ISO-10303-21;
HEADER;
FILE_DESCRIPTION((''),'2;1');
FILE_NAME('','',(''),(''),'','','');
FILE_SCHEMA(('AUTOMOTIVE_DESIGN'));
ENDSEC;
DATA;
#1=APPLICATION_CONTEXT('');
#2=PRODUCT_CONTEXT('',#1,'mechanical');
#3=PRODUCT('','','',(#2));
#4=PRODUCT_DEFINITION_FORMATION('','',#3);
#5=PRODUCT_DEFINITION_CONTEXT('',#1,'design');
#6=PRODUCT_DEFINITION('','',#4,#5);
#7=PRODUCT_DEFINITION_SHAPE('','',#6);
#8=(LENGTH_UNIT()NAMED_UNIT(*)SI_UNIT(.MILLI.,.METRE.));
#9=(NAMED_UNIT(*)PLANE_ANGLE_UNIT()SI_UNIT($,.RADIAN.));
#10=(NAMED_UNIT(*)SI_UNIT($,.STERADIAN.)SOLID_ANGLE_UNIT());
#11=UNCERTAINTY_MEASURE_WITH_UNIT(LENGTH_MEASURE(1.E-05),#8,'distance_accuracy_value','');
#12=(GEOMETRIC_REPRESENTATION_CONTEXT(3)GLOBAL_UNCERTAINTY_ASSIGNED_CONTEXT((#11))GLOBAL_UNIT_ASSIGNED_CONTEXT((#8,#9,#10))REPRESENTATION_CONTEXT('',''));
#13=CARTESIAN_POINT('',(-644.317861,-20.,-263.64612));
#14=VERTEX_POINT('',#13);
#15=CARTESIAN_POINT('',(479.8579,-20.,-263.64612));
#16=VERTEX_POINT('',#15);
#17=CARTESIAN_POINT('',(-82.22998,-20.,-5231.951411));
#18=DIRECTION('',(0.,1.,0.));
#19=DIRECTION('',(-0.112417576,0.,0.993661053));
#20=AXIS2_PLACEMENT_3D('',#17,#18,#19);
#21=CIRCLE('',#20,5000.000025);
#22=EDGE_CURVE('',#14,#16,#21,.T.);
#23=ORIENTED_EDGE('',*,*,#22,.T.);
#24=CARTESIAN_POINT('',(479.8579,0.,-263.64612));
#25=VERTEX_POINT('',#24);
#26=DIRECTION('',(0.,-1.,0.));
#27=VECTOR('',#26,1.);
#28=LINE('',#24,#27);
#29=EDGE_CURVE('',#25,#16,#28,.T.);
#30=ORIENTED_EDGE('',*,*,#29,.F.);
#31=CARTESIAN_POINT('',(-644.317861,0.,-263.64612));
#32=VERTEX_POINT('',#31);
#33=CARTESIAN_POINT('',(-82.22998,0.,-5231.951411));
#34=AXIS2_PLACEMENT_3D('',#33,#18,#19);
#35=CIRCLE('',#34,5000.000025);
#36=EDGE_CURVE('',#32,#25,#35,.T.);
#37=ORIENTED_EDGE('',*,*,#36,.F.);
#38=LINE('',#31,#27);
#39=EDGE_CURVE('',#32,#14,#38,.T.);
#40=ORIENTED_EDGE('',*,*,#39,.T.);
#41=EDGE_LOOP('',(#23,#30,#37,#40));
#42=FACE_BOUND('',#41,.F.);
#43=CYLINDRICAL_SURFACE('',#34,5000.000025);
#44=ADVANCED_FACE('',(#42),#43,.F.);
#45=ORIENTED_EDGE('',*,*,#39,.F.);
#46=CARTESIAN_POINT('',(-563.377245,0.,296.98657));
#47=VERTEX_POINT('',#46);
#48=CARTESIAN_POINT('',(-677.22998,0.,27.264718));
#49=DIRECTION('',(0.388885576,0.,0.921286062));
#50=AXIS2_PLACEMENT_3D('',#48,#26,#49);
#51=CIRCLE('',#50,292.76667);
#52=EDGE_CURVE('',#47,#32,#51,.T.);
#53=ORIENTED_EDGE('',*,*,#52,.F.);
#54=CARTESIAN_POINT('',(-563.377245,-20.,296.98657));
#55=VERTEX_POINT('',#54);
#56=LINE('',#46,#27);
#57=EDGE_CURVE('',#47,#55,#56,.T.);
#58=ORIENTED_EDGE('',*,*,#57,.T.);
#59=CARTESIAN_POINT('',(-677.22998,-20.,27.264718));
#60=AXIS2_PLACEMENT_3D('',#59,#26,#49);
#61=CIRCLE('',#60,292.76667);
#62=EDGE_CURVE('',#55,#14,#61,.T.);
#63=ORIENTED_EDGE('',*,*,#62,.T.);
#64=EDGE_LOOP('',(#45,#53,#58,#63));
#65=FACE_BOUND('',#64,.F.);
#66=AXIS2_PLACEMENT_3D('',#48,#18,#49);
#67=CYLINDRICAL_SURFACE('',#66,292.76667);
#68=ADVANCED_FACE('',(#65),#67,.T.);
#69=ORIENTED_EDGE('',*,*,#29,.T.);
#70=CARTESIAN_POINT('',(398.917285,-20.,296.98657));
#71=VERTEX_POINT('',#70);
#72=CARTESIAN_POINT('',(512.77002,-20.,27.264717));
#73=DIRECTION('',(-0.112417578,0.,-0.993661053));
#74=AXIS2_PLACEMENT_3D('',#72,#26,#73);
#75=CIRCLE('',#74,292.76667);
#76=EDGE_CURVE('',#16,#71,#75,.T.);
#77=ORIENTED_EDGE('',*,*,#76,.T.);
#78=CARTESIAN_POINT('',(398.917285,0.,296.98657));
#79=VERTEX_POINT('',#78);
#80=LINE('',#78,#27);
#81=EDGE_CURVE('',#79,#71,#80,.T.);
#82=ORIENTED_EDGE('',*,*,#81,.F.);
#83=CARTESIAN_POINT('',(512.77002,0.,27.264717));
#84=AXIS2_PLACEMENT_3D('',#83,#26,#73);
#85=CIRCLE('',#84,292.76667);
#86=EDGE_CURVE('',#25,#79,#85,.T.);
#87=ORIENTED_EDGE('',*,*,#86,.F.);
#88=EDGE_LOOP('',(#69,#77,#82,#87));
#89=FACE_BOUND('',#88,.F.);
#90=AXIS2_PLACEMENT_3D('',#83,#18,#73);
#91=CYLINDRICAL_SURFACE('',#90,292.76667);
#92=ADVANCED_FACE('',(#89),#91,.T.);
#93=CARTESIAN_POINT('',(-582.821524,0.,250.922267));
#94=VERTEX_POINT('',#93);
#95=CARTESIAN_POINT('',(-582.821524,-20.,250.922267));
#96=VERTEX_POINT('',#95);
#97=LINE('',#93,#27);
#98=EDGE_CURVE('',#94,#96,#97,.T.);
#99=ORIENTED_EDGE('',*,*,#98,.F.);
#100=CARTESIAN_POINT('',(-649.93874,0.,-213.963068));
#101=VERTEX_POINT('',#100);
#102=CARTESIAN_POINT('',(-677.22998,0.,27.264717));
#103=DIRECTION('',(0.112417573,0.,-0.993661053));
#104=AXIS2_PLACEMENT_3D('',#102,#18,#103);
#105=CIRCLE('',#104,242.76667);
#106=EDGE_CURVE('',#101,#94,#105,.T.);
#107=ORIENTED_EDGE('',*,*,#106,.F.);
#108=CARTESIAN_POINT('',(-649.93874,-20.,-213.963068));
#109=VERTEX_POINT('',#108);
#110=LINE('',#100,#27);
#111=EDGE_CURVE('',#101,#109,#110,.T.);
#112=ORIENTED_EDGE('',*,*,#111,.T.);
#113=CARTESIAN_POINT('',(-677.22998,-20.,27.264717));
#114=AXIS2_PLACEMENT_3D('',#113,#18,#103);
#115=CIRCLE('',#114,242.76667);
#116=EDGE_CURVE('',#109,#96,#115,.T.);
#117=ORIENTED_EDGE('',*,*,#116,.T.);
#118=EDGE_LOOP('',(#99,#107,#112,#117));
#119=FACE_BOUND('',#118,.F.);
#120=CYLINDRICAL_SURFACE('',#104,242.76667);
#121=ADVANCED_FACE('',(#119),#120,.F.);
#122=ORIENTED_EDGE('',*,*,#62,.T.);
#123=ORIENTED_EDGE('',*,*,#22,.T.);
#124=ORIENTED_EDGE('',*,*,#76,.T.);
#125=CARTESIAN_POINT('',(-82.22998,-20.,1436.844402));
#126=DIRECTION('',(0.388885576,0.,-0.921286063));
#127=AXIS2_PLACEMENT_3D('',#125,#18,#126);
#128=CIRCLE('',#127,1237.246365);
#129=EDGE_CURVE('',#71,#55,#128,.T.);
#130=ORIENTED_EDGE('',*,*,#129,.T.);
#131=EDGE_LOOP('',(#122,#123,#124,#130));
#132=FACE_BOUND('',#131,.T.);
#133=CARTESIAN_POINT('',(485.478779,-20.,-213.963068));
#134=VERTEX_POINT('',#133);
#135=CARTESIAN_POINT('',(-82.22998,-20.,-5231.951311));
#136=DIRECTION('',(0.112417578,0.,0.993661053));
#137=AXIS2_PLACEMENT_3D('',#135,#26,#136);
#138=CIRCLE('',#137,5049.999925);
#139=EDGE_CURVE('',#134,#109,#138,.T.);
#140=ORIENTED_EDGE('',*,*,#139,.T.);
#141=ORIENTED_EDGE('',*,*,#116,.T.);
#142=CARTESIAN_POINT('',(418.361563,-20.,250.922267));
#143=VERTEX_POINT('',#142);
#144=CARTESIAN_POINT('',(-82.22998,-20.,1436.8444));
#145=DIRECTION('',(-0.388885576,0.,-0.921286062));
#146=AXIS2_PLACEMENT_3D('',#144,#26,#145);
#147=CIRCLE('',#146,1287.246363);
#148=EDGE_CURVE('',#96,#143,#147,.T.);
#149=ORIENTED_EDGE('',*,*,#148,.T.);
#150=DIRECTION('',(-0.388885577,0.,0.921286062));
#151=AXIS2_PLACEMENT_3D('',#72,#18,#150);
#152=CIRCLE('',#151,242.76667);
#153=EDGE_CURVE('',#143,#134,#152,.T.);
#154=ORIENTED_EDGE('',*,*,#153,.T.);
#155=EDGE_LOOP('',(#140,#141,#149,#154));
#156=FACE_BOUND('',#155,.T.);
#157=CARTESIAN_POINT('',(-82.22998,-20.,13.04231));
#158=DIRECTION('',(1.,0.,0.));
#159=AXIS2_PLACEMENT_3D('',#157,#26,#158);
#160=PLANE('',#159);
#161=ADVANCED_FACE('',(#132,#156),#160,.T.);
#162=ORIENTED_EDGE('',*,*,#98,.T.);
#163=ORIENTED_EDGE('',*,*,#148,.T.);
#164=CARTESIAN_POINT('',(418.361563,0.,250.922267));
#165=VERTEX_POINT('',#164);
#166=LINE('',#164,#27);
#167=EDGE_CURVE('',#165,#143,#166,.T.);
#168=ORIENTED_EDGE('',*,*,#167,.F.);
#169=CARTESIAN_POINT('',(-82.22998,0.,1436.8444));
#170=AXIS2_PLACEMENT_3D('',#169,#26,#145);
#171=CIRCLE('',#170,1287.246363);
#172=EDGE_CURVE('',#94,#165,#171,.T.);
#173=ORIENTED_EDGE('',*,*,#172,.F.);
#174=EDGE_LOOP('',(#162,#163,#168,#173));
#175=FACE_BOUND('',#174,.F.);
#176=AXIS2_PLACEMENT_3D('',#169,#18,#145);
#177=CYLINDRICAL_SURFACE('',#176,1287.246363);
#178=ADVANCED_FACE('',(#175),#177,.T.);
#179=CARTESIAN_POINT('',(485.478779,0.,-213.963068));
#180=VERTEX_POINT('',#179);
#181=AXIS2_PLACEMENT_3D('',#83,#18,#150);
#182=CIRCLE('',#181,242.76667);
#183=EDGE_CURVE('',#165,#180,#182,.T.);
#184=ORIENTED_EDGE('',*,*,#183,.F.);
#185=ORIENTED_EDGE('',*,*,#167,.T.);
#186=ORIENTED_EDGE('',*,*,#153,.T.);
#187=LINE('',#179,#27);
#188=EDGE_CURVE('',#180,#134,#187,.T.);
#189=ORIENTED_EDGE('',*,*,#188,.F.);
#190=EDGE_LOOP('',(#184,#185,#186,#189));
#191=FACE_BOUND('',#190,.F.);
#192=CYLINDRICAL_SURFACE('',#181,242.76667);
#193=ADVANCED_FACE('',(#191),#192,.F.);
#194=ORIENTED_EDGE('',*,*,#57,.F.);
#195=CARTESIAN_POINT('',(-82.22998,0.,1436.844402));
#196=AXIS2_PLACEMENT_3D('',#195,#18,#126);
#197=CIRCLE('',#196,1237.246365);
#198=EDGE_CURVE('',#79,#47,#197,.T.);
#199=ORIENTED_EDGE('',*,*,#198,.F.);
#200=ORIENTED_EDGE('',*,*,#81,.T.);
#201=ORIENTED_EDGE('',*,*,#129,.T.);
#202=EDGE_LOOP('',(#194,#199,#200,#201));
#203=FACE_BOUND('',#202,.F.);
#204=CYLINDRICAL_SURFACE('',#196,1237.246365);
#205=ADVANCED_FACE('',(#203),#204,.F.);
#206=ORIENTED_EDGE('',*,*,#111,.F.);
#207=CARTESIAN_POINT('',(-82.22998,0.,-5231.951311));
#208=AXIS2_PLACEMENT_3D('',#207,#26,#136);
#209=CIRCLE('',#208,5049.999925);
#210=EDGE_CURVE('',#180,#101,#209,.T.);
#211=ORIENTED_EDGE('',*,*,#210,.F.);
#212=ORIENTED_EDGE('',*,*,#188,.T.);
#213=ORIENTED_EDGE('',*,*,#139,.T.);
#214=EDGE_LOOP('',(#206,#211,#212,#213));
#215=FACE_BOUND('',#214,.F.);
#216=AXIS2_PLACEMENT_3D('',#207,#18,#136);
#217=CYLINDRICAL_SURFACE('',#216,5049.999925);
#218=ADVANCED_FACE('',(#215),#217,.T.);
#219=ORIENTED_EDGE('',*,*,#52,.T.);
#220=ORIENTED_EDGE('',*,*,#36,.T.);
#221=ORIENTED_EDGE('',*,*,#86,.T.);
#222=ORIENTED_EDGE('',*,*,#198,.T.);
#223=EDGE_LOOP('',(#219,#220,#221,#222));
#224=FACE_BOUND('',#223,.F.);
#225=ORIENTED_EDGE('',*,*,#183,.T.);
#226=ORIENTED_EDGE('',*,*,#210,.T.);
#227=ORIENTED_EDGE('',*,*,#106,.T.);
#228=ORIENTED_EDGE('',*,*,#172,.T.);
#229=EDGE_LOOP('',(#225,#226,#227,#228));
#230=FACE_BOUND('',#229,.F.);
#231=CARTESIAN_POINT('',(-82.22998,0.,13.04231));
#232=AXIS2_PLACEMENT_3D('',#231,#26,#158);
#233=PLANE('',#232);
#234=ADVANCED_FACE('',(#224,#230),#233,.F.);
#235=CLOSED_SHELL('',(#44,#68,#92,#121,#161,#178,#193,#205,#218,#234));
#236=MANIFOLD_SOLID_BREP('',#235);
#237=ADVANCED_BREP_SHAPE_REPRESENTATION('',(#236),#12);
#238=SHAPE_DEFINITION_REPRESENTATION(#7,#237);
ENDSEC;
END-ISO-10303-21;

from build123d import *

# Parameters (mm, degrees)
F1_DEPTH = 20


with BuildPart() as f1:
    # F0 (on Front) → F1 (new body)
    with BuildSketch(Plane.XZ):
        with BuildLine():
            ThreePointArc((398.917285, 296.98657), (-82.22998, 199.598037), (-563.377245, 296.98657))
            ThreePointArc((-563.377245, 296.98657), (-966.992355, 69.098783), (-644.317861, -263.64612))
            ThreePointArc((-644.317861, -263.64612), (-82.22998, -231.951386), (479.8579, -263.64612))
            ThreePointArc((479.8579, -263.64612), (802.532395, 69.098783), (398.917285, 296.98657))
        make_face()
        with BuildLine():
            ThreePointArc((-649.93874, -213.963068), (-917.505442, 61.954175), (-582.821524, 250.922267))
            ThreePointArc((-582.821524, 250.922267), (-82.22998, 149.598037), (418.361563, 250.922267))
            ThreePointArc((418.361563, 250.922267), (753.045482, 61.954175), (485.478779, -213.963068))
            ThreePointArc((485.478779, -213.963068), (-82.22998, -181.951386), (-649.93874, -213.963068))
        make_face(mode=Mode.SUBTRACT)
    extrude(amount=F1_DEPTH)


solid = f1.part
